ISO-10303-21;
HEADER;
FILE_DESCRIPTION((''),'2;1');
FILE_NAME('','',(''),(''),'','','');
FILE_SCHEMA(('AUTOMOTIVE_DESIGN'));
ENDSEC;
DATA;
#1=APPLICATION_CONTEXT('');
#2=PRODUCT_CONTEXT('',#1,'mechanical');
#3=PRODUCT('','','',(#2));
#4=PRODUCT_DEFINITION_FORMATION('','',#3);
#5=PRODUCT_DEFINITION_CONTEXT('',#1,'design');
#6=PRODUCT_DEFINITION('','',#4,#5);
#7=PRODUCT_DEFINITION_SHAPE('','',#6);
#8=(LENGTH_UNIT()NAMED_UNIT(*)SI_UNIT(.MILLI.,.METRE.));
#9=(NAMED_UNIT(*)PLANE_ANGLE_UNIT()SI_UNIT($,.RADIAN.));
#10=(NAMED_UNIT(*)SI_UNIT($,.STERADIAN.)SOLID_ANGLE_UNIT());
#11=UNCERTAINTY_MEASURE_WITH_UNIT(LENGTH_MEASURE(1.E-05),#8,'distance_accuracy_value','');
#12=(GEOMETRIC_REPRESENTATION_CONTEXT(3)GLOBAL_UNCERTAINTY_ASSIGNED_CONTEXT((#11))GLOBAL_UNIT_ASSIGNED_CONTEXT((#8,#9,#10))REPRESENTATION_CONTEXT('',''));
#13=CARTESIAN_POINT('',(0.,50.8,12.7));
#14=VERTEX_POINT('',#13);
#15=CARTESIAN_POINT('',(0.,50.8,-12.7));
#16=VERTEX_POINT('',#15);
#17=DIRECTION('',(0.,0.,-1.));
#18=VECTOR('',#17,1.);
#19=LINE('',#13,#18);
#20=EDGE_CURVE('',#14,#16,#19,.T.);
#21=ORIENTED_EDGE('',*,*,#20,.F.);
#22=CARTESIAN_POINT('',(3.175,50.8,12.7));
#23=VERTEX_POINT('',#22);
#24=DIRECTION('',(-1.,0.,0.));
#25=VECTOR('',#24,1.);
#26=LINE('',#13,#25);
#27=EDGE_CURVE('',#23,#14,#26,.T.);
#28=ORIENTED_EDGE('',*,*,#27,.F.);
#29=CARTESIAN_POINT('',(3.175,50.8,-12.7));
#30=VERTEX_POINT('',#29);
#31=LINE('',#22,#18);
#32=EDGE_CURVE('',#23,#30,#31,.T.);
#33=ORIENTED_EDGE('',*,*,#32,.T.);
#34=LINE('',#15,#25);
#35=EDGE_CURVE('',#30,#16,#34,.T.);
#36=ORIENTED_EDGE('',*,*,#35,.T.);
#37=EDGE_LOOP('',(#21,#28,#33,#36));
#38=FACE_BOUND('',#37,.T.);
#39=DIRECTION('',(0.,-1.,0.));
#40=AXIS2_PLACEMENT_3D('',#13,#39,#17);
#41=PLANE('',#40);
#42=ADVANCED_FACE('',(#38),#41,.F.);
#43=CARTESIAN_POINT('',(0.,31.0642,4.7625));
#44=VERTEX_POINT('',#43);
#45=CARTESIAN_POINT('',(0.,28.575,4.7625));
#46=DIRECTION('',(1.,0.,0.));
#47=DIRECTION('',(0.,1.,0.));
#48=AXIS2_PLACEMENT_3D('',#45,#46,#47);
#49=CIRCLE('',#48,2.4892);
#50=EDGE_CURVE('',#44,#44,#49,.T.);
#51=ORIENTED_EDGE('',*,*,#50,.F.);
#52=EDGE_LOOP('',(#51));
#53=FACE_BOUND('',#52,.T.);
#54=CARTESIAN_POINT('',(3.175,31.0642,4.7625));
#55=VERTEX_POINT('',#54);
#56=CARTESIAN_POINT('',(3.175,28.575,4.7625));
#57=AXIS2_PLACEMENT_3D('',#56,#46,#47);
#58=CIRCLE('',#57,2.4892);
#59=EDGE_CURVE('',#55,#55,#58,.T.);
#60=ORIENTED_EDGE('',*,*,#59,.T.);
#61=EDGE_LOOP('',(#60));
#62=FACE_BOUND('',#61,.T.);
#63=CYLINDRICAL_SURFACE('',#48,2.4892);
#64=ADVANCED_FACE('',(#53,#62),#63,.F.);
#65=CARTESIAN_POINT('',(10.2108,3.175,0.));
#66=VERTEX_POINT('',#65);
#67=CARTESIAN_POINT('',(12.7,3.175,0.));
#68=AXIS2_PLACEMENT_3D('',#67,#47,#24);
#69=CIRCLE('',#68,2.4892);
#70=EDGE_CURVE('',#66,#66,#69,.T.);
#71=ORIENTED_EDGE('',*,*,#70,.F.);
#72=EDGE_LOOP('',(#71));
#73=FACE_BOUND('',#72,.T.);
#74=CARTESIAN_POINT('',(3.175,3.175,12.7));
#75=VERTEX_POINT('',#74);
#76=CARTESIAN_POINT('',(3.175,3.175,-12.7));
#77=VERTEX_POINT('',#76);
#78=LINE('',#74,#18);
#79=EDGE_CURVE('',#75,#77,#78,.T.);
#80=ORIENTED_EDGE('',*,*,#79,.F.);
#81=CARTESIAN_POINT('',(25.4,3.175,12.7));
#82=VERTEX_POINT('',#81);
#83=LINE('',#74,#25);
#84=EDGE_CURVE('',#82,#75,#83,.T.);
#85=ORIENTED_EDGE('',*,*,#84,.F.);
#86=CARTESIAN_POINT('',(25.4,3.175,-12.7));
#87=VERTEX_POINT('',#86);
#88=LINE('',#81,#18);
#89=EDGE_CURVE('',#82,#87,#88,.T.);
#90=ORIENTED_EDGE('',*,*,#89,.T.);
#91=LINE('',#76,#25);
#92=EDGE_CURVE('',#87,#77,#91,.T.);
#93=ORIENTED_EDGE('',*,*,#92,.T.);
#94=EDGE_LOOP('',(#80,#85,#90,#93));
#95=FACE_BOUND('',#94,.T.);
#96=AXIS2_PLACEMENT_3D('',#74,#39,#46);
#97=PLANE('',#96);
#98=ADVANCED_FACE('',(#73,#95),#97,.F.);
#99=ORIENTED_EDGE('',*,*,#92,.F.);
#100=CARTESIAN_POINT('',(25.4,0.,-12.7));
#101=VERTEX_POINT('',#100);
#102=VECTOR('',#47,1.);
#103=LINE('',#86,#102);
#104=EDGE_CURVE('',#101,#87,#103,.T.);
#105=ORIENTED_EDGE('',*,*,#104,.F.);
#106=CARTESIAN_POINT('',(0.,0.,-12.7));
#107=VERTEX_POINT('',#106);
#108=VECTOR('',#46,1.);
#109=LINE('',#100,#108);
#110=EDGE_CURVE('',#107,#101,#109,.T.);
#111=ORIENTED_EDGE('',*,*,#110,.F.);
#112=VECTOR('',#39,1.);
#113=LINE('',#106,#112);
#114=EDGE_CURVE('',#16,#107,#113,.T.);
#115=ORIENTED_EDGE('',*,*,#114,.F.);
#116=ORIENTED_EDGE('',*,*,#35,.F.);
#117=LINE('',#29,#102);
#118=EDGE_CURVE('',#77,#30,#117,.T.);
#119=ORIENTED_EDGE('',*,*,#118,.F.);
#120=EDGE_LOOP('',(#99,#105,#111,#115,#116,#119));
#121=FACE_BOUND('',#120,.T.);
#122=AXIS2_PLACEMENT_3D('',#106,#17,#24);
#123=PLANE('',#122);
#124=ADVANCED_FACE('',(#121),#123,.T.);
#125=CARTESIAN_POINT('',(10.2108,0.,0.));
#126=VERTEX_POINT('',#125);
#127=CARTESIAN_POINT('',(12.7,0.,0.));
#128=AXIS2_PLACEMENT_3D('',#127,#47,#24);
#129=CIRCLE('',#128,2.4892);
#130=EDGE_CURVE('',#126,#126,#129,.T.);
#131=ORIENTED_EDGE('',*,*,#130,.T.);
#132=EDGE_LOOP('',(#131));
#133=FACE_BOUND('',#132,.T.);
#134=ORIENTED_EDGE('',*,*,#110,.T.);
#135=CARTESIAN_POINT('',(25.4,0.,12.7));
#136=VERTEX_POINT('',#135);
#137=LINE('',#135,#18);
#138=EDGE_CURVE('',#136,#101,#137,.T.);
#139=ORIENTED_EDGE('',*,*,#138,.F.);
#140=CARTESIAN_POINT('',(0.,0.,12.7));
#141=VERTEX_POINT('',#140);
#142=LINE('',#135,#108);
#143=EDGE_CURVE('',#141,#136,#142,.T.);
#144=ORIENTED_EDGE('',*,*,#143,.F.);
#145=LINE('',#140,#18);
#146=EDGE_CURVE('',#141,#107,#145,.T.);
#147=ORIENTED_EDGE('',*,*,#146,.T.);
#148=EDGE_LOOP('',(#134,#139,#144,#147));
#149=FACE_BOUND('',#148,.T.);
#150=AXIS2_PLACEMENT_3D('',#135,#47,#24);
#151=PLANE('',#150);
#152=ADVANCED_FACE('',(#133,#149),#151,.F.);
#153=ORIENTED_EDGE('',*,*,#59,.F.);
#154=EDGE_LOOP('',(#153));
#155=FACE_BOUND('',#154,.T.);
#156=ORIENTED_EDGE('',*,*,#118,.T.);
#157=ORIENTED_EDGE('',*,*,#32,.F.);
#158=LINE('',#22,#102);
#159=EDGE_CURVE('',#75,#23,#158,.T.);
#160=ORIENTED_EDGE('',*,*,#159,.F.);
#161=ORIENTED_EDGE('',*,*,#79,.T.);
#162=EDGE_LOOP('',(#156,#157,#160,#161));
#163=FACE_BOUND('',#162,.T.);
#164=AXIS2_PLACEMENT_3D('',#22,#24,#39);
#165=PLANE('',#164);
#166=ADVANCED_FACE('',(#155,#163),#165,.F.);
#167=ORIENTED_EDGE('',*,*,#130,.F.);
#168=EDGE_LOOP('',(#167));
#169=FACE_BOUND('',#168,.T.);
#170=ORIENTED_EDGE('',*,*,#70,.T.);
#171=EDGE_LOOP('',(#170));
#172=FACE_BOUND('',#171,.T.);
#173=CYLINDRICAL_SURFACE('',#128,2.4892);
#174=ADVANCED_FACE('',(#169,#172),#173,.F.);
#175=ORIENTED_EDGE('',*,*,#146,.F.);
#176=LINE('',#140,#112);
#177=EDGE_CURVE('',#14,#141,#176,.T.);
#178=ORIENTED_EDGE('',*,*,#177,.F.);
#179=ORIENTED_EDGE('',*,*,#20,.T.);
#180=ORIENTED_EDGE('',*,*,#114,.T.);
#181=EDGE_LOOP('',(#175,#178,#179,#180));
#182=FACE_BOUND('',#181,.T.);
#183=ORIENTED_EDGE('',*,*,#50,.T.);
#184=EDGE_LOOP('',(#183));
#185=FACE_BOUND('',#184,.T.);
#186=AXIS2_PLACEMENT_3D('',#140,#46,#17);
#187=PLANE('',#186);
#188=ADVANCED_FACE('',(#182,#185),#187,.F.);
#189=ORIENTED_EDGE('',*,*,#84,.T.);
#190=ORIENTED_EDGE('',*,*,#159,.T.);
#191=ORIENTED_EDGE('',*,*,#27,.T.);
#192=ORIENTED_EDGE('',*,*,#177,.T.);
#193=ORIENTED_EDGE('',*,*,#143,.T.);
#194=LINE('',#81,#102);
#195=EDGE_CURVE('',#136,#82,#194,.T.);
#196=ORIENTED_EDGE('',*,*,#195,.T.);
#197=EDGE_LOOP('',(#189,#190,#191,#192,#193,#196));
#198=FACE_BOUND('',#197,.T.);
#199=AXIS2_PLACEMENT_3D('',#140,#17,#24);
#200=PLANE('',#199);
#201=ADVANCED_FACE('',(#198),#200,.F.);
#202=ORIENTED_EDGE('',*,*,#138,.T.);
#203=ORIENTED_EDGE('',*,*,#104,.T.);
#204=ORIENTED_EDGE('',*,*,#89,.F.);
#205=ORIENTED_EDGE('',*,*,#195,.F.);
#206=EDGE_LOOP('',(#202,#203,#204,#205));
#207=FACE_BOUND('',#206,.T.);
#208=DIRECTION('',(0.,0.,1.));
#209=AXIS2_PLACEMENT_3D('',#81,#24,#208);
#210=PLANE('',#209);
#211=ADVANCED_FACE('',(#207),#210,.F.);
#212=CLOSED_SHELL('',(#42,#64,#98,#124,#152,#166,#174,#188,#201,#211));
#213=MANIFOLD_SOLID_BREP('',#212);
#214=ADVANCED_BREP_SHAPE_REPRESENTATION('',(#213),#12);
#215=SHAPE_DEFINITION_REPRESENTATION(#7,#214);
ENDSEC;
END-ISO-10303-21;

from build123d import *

# Parameters (mm, degrees)
BOSS_EXTRUDE1_DEPTH = 12.7
SKETCH2_R           = 2.4892
CUT_EXTRUDE1_DEPTH  = 56.448991199
SKETCH3_R           = 2.4892
CUT_EXTRUDE2_DEPTH  = 57.884801353


with BuildPart() as part:
    # Sketch1 → Boss-Extrude1 (new, symmetric)
    with BuildSketch(Plane.XY):
        Polygon((0, 0), (0, 50.8), (3.175, 50.8), (3.175, 3.175), (25.4, 3.175), (25.4, 0), align=None)
    extrude(amount=BOSS_EXTRUDE1_DEPTH, both=True)

    # Sketch2 → Cut-Extrude1 (cut, through all)
    with BuildSketch(Plane(origin=(0, 3.175, 0), x_dir=(1, 0, 0), z_dir=(0, 1, 0))):
        with Locations(Location((12.7, 0, 0), (0, 0, 180))):
            Circle(SKETCH2_R)
    extrude(amount=-CUT_EXTRUDE1_DEPTH, mode=Mode.SUBTRACT)

    # Sketch3 → Cut-Extrude2 (cut, through all)
    with BuildSketch(Plane(origin=(3.175, 0, 0), x_dir=(0, 0, -1), z_dir=(1, 0, 0))):
        with Locations(Location((-4.7625, 28.575, 0), (0, 0, 90))):
            Circle(SKETCH3_R)
    extrude(amount=-CUT_EXTRUDE2_DEPTH, mode=Mode.SUBTRACT)


solid = part.part
